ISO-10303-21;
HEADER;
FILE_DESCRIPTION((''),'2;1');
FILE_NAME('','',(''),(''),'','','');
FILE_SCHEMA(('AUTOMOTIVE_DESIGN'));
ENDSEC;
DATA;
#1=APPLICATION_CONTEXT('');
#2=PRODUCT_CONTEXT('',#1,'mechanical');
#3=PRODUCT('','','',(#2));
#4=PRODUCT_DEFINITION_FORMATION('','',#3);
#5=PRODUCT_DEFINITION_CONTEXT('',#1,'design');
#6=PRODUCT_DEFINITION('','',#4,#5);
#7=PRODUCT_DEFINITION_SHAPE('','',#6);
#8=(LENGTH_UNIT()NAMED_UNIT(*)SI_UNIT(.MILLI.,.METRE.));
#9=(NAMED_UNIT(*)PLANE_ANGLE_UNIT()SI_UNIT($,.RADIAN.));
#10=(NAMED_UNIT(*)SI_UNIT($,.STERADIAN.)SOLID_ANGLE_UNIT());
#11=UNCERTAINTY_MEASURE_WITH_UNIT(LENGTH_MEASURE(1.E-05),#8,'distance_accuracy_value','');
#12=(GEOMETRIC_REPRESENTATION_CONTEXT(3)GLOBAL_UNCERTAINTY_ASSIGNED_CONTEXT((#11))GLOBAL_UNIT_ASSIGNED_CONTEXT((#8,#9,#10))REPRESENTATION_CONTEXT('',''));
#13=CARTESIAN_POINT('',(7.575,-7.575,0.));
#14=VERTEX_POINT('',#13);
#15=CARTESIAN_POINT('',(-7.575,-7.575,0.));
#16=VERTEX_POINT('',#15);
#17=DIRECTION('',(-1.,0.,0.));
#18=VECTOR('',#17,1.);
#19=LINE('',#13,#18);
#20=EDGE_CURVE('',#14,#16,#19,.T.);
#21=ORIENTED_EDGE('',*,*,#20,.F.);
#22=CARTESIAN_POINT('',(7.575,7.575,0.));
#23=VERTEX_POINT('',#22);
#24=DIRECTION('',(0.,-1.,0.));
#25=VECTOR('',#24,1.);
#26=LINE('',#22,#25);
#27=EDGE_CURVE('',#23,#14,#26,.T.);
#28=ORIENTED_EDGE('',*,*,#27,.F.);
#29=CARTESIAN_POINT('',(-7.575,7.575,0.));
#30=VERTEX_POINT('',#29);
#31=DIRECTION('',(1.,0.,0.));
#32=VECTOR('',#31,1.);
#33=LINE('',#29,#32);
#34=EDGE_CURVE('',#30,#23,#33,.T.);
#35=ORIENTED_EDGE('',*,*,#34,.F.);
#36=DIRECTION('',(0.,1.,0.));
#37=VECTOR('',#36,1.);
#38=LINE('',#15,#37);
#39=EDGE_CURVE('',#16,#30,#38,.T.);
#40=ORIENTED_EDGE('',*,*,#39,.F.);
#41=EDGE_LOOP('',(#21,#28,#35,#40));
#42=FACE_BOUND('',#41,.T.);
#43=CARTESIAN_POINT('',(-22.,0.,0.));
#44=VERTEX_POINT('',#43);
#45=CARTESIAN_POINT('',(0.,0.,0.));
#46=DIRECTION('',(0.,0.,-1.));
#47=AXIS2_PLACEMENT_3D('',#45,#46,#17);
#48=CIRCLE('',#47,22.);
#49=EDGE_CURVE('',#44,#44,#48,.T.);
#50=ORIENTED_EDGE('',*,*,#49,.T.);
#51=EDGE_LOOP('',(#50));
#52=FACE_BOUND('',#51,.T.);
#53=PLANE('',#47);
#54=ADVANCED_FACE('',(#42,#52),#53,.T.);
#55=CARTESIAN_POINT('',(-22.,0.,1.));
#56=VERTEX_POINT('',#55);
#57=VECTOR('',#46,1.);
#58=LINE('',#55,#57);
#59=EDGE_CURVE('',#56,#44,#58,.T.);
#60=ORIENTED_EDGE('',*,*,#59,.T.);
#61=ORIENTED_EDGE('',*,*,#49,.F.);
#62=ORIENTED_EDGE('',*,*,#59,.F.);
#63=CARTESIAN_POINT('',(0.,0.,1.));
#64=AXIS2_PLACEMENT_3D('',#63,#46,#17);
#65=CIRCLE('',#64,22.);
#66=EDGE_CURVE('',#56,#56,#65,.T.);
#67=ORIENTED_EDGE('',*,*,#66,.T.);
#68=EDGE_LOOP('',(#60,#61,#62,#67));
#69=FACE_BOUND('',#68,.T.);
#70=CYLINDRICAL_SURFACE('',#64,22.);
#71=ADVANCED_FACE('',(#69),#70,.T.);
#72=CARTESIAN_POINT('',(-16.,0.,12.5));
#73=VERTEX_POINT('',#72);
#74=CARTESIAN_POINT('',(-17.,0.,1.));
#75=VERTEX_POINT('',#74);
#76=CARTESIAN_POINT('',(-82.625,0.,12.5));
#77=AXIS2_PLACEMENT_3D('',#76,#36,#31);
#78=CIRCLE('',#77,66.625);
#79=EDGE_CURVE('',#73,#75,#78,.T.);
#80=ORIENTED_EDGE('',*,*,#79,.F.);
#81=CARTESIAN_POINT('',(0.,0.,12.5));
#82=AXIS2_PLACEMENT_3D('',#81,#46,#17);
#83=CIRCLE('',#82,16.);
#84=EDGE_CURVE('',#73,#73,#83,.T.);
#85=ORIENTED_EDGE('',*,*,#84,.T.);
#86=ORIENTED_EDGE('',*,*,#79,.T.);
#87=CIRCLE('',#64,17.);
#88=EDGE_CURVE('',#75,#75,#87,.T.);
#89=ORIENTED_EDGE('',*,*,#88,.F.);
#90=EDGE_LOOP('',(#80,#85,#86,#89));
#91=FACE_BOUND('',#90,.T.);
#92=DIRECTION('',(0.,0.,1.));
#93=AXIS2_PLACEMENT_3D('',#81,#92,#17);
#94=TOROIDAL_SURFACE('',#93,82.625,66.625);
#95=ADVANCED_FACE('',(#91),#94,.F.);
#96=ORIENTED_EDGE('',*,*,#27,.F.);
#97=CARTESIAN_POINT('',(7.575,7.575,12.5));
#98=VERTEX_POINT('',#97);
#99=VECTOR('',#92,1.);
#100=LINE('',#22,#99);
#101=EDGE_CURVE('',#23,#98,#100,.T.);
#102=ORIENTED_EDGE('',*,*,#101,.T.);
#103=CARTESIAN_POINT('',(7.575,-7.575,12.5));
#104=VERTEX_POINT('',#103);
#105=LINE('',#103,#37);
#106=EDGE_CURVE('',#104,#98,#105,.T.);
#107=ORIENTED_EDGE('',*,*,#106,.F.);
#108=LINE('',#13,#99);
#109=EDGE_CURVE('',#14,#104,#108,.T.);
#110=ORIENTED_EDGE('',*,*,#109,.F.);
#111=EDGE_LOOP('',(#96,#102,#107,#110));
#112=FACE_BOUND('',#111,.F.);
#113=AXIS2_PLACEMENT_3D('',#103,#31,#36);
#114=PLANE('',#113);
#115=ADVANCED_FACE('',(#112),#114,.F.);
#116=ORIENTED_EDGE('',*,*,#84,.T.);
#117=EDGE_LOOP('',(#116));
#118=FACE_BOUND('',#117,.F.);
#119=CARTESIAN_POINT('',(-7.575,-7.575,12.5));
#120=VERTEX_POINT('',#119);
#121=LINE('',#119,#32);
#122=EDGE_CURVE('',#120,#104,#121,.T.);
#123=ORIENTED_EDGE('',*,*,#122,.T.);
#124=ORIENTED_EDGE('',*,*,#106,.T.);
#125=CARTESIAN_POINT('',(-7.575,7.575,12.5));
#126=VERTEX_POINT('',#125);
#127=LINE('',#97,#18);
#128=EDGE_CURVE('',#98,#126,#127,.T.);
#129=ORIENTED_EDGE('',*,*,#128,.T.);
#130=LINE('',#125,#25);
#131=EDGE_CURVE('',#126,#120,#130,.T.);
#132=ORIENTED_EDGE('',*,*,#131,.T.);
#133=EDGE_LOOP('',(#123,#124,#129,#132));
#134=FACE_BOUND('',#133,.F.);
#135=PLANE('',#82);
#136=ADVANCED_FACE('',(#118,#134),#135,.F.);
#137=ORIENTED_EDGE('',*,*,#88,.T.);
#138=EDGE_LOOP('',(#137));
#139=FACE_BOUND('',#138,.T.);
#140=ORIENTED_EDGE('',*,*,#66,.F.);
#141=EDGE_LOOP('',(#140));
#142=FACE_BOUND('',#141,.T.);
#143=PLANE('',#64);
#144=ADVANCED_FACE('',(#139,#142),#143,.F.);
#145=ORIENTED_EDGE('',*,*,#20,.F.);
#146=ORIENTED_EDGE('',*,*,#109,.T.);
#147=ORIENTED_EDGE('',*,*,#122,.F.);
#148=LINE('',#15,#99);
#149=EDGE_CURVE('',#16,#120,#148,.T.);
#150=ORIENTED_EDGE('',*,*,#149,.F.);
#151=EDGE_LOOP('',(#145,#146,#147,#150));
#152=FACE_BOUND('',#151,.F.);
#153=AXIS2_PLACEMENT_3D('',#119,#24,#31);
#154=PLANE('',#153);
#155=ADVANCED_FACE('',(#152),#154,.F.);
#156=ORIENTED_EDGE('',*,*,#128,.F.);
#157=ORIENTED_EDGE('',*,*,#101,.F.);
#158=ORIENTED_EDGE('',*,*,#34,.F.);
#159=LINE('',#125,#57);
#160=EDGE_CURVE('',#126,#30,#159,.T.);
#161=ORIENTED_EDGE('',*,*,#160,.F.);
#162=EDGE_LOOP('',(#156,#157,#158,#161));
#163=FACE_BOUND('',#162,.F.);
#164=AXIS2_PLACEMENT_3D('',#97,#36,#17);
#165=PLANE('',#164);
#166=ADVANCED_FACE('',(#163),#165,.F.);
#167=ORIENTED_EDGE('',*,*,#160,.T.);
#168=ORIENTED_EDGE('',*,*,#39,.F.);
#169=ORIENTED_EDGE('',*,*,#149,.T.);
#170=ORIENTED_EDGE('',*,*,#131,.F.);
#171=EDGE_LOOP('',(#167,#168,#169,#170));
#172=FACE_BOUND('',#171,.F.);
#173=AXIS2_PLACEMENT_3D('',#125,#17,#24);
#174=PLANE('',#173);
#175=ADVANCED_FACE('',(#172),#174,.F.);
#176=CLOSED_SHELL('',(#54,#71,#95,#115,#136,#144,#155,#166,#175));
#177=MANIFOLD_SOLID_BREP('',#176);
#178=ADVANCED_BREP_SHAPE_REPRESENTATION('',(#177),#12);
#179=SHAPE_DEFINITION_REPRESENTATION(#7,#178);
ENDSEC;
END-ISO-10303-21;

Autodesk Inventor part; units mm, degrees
ref_plane "YZ Plane" through (0, 0, 0) normal (1, 0, 0) x (0, 1, 0)
ref_plane "XZ Plane" through (0, 0, 0) normal (0, 1, 0) x (-1, 0, 0)
ref_plane "XY Plane" through (0, 0, 0) normal (0, 0, 1) x (1, 0, 0)
sketch "Skizze1" plane through (0, 0, 0) normal (0, 1, 0) x (-1, 0, 0)
  line L0 (17, 1) -> (22, 1)
  line L1 (22, 1) -> (22, 0)
  line L2 (22, 0) -> (0, 0)
  line L3 (0, 12.5) -> (0, 0)
  line L4 (99.15, 0) -> (-16.525, 0) projected
  line L5 (0, -2.5) -> (0, 15) projected
  line L6 (16, 12.5) -> (0, 12.5)
  arc A0 (16, 12.5) -> (17, 1) centre (82.625, 12.5) ccw
  line L7 (16, 12.5) -> (16, 0) construction
  dimension "d6" = 12.5
  dimension "d7" = 1
  dimension "d15" = 16
  dimension "d16" = 17
  dimension "d21" = 22
revolve "Umdrehung1" add sketch "Skizze1" angle 360 about axis through (0, 0, 12.5) along (0, 0, -1)
sketch "Skizze3" plane through (0, 0, 12.5) normal (0, 0, 1) x (1, 0, 0)
  circle A0 centre (0, 0) radius 22 projected
  circle A1 centre (0, 0) radius 5.075
  dimension "d8" = 10.15
extrude "Extrusion2" cut sketch "Skizze3" against normal through all contours A1
sketch "Skizze4" plane through (0, 0, 12.5) normal (0, 0, 1) x (1, 0, 0)
  circle A0 centre (0, 0) radius 5.075 projected
  circle A1 centre (0, 0) radius 16 projected
  line L0 (-7.575, -7.575) -> (7.575, -7.575)
  line L1 (7.575, -7.575) -> (7.575, 7.575)
  line L2 (7.575, 7.575) -> (-7.575, 7.575)
  line L3 (-7.575, 7.575) -> (-7.575, -7.575)
  line L4 (-7.575, -7.575) -> (7.575, 7.575) construction
  line L5 (7.575, -7.575) -> (-7.575, 7.575) construction
  dimension "d11" = 15.15
  dimension "d12" = 15.15
extrude "Extrusion3" cut sketch "Skizze4" against normal blind 2.2 contours L3 L2 L1 L0
sketch "Skizze5" plane through (0, 0, 0) normal (0, 0, -1) x (-1, 0, 0)
  circle A0 centre (0, 0) radius 5.075 projected
  circle A1 centre (0, 0) radius 22 projected
  line L0 (-7.575, -7.575) -> (7.575, -7.575)
  line L1 (7.575, -7.575) -> (7.575, 7.575)
  line L2 (7.575, 7.575) -> (-7.575, 7.575)
  line L3 (-7.575, 7.575) -> (-7.575, -7.575)
  line L4 (-7.575, -7.575) -> (7.575, 7.575) construction
  line L5 (7.575, -7.575) -> (-7.575, 7.575) construction
  dimension "d17" = 15.15
  dimension "d18" = 15.15
extrude "Extrusion4" cut sketch "Skizze5" against normal blind 2.5 contours L3 L2 L1 L0
sketch "Skizze6" plane through (0, 0, 10.3) normal (0, 0, 1) x (1, 0, 0)
  line L0 (7.575, 7.575) -> (7.575, -7.575) projected
  line L1 (-7.575, 7.575) -> (7.575, 7.575) projected
  line L2 (-7.575, -7.575) -> (-7.575, 7.575) projected
  line L3 (7.575, -7.575) -> (-7.575, -7.575) projected
  circle A0 centre (0, 0) radius 5.075 projected
extrude "Extrusion5" cut sketch "Skizze6" against normal through all
properties part number "Seil_Rolle_Antrieb_Mitte" material "PC/ABS-Kunststoff"
